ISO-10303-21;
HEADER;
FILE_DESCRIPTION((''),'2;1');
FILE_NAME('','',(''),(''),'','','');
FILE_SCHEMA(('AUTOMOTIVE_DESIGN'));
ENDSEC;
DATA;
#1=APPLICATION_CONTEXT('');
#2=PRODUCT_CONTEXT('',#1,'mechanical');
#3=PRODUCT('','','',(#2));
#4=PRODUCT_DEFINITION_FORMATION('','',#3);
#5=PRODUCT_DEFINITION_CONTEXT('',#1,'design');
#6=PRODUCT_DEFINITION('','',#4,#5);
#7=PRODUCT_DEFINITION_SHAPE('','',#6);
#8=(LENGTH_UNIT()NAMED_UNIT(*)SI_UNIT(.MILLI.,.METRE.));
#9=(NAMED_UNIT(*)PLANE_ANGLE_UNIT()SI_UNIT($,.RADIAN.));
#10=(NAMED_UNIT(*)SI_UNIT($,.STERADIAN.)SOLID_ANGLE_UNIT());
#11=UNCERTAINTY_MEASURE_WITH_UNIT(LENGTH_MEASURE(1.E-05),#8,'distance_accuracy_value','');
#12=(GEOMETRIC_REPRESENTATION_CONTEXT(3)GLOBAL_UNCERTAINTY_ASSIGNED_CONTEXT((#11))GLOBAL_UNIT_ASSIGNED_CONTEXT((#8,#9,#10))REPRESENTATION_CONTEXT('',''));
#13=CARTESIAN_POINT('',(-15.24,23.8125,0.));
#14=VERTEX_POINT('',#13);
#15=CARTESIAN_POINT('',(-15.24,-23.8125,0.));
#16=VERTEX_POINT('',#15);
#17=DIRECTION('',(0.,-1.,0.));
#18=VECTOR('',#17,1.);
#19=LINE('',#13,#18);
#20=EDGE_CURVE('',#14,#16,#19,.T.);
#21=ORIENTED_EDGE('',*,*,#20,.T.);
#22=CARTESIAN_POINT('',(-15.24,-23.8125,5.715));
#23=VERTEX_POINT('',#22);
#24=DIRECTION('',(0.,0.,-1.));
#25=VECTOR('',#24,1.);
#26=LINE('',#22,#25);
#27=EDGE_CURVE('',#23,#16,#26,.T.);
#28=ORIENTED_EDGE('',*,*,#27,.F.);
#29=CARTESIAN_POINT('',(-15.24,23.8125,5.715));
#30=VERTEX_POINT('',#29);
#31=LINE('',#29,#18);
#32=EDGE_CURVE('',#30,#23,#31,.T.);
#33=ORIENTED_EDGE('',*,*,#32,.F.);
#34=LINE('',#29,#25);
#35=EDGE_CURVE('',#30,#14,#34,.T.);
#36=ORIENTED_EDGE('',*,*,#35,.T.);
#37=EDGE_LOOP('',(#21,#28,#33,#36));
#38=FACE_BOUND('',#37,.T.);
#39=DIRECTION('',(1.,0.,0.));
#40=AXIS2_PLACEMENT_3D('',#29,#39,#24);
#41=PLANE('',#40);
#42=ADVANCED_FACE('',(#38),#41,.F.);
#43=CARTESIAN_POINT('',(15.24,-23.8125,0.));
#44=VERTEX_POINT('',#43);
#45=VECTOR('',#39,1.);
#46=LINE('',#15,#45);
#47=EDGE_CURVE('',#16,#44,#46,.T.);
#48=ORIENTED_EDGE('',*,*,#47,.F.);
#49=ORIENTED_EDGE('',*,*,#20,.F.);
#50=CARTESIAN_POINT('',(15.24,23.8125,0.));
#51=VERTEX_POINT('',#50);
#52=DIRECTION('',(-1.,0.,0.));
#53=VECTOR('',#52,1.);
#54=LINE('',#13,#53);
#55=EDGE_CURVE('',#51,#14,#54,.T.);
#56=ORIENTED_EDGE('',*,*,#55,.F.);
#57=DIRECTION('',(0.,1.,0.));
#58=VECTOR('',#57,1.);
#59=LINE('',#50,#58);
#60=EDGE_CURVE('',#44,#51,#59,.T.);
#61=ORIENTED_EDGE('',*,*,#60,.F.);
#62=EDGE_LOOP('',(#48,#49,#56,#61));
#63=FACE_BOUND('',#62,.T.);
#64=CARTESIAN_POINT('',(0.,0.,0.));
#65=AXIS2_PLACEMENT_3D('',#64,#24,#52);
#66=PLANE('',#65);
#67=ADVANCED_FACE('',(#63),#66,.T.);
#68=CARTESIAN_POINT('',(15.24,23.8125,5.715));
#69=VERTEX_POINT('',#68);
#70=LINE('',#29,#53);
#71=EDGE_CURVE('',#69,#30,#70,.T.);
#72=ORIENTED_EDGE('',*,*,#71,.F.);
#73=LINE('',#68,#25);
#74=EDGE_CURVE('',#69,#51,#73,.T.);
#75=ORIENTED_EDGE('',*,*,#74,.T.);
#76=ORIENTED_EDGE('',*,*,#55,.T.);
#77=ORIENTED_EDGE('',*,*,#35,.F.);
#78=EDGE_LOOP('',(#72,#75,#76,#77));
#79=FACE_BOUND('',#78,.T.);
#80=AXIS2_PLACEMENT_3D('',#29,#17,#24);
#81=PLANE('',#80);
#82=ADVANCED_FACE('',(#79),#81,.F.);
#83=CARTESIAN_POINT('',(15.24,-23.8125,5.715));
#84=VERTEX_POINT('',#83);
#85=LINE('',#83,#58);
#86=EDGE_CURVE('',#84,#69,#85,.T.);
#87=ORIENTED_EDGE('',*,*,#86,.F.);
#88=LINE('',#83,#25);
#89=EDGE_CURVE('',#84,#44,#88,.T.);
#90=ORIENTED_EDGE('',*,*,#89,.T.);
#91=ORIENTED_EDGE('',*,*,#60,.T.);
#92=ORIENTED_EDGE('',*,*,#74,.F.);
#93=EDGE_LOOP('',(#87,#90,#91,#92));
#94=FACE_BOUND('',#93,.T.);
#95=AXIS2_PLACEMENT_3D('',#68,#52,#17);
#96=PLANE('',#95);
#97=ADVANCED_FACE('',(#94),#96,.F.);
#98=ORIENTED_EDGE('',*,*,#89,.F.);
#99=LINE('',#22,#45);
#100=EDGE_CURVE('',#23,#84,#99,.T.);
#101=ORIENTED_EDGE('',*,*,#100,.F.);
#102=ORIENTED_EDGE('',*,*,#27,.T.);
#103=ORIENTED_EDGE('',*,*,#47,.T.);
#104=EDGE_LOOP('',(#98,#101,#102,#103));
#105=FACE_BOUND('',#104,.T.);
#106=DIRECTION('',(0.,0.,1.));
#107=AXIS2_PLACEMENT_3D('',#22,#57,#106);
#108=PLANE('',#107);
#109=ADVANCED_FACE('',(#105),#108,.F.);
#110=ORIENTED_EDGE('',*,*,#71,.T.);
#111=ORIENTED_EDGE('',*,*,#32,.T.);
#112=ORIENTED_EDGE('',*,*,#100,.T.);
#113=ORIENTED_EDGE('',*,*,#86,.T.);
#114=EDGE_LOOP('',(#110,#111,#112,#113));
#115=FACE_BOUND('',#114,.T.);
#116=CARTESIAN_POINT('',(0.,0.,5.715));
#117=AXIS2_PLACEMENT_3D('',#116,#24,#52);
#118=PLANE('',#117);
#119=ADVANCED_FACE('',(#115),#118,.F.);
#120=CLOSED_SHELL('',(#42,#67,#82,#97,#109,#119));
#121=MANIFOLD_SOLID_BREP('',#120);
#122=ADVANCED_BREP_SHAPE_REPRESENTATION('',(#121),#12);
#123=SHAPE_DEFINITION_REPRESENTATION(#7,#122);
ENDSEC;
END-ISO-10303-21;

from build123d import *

# Parameters (mm, degrees)
BOSS_EXTRUDE1_DEPTH = 5.715


with BuildPart() as part:
    # Sketch1 → Boss-Extrude1 (new body)
    with BuildSketch(Plane.XY):
        Polygon((15.24, -23.8125), (15.24, 20.193), (15.24, 23.8125), (-15.24, 23.8125), (-15.24, -23.8125), align=None)
    extrude(amount=BOSS_EXTRUDE1_DEPTH)


solid = part.part
